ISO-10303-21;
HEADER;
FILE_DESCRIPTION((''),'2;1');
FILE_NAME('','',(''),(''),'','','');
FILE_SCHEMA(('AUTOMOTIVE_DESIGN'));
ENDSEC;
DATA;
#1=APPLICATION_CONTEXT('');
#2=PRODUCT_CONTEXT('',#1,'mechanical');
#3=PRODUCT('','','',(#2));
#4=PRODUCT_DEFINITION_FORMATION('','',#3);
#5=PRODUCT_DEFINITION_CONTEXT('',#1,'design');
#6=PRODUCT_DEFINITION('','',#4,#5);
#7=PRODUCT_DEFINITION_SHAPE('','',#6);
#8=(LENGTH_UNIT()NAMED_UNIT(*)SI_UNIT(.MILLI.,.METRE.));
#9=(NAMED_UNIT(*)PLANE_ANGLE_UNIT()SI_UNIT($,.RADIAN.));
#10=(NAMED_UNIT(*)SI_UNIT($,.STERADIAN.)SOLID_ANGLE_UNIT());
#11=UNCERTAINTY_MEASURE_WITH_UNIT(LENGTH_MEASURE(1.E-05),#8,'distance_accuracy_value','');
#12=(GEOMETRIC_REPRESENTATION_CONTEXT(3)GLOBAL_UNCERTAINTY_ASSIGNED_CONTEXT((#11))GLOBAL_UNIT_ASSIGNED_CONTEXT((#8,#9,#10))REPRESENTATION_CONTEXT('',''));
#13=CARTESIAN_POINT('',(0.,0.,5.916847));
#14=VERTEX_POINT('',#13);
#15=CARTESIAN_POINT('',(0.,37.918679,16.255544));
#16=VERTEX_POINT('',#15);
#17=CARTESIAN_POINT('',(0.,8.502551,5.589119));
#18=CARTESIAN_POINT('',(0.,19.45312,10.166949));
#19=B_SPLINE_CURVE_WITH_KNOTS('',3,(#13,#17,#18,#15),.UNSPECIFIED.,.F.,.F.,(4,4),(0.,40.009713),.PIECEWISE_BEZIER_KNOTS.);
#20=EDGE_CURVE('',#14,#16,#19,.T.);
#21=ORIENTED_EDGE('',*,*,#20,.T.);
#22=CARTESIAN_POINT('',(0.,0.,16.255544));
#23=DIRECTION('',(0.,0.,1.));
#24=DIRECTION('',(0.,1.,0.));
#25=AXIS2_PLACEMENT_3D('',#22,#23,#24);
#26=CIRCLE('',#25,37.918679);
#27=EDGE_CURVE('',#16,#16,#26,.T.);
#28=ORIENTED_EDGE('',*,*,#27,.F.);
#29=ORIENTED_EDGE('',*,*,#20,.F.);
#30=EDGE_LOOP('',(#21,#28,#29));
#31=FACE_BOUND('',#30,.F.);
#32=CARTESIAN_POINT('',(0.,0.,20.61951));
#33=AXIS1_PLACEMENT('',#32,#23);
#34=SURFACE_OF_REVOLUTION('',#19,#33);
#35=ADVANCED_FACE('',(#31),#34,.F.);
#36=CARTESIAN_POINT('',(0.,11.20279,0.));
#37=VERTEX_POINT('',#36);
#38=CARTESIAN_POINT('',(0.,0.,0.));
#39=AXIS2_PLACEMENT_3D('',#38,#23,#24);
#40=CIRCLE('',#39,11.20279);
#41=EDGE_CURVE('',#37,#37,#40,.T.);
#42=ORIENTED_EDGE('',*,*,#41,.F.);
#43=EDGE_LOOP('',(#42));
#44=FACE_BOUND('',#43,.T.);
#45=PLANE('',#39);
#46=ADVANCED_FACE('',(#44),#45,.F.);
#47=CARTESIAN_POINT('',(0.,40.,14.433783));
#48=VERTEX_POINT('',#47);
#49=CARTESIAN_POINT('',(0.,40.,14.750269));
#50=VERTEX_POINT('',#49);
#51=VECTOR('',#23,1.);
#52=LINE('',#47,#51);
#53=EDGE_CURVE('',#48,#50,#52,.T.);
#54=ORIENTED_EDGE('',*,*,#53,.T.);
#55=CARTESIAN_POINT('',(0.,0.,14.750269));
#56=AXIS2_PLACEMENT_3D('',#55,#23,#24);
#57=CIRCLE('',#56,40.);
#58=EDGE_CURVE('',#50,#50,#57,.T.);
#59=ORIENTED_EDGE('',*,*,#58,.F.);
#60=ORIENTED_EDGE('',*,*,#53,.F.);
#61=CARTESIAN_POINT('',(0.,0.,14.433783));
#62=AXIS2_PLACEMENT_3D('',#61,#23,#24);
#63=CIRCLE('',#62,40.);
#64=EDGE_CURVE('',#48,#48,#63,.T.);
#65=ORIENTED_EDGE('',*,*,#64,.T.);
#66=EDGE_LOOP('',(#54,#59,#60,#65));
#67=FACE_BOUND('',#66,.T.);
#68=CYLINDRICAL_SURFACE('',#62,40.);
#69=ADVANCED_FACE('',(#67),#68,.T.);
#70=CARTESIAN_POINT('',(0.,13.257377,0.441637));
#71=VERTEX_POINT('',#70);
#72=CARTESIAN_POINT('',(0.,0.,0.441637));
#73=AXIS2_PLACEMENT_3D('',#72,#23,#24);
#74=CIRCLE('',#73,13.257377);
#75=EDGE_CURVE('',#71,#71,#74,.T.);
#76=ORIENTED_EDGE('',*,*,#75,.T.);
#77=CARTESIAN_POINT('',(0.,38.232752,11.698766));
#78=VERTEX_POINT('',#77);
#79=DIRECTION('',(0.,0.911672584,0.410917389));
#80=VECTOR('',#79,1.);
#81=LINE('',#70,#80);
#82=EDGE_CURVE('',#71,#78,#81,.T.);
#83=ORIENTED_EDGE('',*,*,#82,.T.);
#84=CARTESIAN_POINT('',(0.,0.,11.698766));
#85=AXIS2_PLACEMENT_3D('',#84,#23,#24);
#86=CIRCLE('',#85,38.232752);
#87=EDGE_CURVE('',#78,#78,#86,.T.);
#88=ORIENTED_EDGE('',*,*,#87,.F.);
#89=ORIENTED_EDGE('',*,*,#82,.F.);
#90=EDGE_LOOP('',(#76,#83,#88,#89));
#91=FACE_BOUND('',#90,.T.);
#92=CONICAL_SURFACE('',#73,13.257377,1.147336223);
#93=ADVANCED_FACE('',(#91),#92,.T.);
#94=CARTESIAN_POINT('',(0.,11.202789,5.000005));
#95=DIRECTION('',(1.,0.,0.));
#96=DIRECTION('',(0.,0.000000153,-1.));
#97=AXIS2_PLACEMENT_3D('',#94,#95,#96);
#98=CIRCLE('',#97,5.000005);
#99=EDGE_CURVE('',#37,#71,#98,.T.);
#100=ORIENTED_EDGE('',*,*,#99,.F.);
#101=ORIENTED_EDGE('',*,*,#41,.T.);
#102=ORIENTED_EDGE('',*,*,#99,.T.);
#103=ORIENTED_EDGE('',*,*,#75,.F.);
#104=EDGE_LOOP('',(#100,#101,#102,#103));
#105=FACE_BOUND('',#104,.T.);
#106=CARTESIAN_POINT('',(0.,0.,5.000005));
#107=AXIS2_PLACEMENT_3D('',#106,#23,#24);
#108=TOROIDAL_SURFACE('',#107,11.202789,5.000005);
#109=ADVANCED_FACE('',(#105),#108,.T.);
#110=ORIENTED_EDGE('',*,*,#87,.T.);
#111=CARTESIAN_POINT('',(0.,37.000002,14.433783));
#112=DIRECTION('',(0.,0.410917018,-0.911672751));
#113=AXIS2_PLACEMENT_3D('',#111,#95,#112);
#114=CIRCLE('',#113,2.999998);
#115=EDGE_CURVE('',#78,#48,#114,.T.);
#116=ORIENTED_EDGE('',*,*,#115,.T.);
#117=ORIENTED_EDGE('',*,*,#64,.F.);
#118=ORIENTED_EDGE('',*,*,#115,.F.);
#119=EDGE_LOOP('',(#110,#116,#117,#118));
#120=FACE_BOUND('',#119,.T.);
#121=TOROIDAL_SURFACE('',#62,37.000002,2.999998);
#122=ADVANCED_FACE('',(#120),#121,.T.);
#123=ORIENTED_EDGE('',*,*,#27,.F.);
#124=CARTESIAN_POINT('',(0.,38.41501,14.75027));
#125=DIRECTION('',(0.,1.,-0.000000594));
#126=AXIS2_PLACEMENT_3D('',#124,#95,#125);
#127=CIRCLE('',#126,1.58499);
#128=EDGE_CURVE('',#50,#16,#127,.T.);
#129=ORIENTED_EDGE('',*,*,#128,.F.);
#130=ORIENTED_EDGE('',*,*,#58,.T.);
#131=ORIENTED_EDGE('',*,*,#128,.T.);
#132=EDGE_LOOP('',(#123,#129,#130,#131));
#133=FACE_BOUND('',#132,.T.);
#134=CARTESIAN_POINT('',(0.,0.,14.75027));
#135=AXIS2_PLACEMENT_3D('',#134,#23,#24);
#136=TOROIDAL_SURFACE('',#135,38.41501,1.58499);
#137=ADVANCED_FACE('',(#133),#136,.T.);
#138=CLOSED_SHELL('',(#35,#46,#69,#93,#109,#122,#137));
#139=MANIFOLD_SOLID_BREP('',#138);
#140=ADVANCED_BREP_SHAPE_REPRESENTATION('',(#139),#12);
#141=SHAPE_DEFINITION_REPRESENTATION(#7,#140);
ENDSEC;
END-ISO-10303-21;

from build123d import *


with BuildPart() as f1:
    # F0 (on Right) → F1 (revolve)
    with BuildSketch(Plane.YZ):
        with BuildLine():
            Line((0, 5.916847), (0, 0))
            Line((0, 0), (11.20279, 0))
            ThreePointArc((11.20279, 0), (12.253548, 0.111656), (13.257377, 0.441637))
            Line((13.257377, 0.441637), (38.232752, 11.698766))
            ThreePointArc((38.232752, 11.698766), (39.519748, 12.805634), (40, 14.433783))
            Line((40, 14.433783), (40, 14.750269))
            ThreePointArc((40, 14.750269), (39.343857, 16.034574), (37.918679, 16.255544))
            add(Edge.make_bspline(
                [(0, 5.916847), (8.502551, 5.589119), (19.45312, 10.166949), (37.918679, 16.255544)],
                knots=[0, 0, 0, 0, 40.009713, 40.009713, 40.009713, 40.009713], degree=3))
        make_face()
    revolve(axis=Axis((0, 0, 20.61951), (0, 0, 1)))


solid = f1.part
